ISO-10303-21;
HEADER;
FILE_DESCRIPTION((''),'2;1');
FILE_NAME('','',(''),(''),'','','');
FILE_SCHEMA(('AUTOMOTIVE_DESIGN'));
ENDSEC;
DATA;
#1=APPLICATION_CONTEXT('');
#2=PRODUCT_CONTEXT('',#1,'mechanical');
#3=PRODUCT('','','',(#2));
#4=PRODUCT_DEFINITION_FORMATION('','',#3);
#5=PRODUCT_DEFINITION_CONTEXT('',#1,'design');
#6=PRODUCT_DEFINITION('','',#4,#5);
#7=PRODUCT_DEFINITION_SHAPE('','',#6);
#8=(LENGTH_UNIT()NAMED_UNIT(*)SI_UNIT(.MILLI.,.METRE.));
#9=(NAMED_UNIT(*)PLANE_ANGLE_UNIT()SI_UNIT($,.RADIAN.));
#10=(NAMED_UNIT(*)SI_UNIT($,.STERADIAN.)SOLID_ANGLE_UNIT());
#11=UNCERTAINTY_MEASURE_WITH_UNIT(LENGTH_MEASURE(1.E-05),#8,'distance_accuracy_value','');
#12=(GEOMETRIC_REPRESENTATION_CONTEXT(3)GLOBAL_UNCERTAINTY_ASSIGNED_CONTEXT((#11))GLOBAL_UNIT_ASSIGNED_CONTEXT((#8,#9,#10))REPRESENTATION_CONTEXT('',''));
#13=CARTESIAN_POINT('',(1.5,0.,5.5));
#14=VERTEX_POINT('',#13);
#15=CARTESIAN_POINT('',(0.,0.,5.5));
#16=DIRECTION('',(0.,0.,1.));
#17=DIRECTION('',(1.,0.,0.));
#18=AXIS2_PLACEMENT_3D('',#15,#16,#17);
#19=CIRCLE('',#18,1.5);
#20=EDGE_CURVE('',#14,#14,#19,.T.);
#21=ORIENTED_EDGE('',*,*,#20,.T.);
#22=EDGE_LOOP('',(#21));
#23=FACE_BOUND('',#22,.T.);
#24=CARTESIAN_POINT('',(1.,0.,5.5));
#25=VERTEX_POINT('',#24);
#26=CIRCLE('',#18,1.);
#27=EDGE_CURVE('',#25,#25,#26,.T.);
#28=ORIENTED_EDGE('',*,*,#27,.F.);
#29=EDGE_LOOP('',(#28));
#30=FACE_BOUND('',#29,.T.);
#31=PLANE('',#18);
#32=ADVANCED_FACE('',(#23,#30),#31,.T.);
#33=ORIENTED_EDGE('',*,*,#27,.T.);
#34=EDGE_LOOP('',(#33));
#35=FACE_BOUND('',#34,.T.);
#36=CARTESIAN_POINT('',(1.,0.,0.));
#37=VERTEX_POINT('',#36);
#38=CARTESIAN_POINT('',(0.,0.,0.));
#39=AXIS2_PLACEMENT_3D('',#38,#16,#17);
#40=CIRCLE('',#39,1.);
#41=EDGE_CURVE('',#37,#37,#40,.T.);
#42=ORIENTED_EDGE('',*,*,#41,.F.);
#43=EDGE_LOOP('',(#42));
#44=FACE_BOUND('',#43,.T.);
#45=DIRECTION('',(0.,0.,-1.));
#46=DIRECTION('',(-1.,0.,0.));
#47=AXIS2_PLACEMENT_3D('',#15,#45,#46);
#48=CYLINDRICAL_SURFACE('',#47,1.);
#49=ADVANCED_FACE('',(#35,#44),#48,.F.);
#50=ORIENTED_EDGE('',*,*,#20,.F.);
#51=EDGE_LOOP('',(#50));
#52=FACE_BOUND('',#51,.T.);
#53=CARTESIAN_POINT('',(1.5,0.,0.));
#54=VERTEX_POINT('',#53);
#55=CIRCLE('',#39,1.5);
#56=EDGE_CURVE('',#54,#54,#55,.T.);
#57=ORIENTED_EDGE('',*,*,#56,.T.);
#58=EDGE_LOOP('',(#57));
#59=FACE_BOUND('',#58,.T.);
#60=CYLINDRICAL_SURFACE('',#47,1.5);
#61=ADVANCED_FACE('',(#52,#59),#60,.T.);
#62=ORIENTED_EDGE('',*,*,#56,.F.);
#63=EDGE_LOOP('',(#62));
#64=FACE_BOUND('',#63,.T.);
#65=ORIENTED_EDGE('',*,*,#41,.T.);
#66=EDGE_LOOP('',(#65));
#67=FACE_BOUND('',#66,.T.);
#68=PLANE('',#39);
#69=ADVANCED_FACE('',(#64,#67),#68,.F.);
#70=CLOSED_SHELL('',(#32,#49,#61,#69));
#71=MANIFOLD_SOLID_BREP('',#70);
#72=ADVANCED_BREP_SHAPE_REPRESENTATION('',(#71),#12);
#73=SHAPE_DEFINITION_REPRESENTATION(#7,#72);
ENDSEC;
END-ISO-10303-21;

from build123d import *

# Parameters (mm, degrees)
BEARINGSKE_R   = 1.5
BEARINGSKE_R_2 = 1
BEARING_DEPTH  = 5.5


with BuildPart() as part:
    # BearingSke → Bearing (new body)
    with BuildSketch(Plane.XY):
        Circle(BEARINGSKE_R)
        Circle(BEARINGSKE_R_2, mode=Mode.SUBTRACT)
    extrude(amount=BEARING_DEPTH)


solid = part.part
